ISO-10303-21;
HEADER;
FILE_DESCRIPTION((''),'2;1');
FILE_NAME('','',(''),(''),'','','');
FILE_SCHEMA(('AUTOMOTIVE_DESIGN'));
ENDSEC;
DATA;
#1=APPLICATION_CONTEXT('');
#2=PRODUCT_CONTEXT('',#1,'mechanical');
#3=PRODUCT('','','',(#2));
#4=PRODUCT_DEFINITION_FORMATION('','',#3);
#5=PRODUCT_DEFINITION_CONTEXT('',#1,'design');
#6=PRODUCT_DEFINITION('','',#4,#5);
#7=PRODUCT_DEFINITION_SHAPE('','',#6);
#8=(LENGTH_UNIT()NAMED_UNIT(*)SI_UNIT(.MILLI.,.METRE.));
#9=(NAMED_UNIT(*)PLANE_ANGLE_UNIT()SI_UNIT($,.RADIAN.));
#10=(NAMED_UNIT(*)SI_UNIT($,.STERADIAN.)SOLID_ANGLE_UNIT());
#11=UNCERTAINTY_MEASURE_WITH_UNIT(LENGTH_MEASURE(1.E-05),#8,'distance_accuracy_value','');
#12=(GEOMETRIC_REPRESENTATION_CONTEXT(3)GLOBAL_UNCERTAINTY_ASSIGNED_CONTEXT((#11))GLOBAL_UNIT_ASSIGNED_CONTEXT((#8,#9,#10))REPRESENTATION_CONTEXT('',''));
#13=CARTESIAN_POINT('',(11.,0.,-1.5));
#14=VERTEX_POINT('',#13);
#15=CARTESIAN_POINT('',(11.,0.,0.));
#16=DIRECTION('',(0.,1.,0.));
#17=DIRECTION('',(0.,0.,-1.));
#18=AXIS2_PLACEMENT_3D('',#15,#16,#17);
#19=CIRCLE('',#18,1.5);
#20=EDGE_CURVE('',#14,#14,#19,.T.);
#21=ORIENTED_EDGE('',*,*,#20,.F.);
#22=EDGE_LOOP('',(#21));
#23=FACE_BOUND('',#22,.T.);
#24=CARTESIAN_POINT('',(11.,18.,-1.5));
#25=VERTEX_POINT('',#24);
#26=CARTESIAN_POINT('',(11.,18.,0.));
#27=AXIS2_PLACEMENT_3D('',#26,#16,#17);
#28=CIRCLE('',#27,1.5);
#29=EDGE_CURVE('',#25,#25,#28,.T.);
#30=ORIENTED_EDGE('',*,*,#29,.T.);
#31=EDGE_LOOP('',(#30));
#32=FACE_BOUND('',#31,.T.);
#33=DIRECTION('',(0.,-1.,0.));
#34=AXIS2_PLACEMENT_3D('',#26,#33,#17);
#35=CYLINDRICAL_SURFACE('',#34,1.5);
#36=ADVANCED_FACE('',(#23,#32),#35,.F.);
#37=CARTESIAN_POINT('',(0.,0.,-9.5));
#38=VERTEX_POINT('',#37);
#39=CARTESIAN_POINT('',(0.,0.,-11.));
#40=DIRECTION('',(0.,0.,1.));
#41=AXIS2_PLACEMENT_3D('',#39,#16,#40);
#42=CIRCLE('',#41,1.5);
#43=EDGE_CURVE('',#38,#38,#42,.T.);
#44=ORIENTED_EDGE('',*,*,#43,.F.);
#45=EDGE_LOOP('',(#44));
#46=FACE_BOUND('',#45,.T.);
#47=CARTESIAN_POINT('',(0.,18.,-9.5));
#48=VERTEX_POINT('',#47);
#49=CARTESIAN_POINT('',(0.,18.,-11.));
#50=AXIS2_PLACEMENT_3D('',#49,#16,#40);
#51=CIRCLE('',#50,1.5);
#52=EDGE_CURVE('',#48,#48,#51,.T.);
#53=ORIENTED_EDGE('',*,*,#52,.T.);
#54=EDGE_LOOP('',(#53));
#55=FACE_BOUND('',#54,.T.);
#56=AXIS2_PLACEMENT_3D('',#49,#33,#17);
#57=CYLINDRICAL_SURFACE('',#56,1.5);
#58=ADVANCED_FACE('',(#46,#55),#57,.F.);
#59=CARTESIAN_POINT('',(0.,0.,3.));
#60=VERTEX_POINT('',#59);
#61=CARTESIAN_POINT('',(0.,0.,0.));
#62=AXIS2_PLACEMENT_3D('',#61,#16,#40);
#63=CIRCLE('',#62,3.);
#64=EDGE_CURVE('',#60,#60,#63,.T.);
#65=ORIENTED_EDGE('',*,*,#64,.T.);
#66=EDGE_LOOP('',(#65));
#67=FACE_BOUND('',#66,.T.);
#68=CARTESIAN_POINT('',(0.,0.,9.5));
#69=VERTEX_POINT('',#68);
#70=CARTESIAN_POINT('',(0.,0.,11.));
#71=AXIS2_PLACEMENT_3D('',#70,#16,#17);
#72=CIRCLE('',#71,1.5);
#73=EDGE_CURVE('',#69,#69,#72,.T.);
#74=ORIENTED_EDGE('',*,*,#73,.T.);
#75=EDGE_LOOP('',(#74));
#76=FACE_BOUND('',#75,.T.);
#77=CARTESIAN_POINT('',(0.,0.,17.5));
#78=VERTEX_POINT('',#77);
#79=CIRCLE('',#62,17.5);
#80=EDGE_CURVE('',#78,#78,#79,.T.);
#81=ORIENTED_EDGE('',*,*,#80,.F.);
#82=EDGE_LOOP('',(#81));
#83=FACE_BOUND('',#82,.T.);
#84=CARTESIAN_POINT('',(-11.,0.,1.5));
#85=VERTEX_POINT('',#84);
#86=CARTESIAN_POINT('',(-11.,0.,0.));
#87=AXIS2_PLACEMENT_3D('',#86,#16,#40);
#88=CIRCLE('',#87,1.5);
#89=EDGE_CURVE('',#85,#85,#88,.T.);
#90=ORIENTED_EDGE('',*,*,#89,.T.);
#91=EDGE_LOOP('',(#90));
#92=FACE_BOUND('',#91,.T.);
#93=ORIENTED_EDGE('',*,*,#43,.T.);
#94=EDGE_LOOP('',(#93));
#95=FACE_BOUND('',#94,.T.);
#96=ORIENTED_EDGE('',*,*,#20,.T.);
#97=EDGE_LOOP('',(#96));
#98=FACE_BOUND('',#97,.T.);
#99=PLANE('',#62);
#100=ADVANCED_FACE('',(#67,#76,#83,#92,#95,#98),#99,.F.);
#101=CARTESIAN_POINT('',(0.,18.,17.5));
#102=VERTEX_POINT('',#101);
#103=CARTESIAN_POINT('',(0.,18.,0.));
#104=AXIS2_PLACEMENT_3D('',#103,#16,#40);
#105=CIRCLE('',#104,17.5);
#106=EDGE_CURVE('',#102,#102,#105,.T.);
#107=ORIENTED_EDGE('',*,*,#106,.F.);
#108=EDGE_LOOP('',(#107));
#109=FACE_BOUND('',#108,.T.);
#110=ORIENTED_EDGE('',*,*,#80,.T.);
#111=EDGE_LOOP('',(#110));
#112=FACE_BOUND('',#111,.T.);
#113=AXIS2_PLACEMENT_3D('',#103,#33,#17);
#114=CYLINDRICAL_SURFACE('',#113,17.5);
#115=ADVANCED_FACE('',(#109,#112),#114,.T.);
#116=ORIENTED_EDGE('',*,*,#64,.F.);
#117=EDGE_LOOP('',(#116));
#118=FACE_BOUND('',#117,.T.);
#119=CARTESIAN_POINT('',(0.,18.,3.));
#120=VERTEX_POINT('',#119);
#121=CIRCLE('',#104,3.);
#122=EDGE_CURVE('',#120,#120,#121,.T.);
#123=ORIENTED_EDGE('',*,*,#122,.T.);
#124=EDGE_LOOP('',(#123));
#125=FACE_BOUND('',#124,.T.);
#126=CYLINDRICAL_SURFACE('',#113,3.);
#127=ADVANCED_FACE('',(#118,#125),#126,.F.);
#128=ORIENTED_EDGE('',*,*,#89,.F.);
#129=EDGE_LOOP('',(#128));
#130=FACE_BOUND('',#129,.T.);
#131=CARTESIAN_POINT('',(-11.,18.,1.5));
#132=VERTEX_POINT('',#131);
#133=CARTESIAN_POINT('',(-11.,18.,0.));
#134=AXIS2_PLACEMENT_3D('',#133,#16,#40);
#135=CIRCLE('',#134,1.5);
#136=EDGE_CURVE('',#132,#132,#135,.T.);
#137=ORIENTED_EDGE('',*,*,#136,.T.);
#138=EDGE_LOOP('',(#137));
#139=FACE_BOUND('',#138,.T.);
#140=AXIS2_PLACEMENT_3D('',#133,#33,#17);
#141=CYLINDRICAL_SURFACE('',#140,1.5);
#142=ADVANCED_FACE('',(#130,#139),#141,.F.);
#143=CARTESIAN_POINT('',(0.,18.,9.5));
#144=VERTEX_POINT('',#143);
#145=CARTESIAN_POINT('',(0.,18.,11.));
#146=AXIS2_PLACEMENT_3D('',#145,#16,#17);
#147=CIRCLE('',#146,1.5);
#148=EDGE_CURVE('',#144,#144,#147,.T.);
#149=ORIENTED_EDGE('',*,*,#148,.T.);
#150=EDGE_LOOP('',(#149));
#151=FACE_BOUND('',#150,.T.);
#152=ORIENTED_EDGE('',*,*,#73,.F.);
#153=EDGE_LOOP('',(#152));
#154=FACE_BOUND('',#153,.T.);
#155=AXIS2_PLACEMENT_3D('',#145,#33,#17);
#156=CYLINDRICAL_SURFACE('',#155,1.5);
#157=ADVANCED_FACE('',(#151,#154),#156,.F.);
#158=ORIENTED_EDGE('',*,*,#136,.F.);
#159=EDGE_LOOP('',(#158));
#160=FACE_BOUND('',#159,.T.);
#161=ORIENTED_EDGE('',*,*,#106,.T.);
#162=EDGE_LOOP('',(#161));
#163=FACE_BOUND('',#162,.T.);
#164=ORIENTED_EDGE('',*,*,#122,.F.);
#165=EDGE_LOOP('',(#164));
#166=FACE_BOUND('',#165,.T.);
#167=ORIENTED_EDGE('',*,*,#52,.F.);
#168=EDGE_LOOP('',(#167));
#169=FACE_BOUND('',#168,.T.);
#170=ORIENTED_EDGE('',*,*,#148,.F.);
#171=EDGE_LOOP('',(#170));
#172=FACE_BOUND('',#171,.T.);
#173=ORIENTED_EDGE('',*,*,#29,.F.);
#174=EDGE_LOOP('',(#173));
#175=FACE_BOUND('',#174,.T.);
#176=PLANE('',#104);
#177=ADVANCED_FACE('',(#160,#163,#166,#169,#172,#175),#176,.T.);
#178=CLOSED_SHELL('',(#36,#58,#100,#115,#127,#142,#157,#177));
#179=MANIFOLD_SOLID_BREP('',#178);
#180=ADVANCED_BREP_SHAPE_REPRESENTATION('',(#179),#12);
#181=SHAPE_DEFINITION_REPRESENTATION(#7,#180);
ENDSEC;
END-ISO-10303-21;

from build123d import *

# Parameters (mm, degrees)
SKETCH1_R           = 17.5
SKETCH1_R_2         = 3
SKETCH1_R_3         = 1.5
BOSS_EXTRUDE1_DEPTH = 18


with BuildPart() as part:
    # Sketch1 → Boss-Extrude1 (new body)
    with BuildSketch(Plane(origin=(0, 0, 0), x_dir=(1, 0, 0), z_dir=(0, 1, 0))):
        Circle(SKETCH1_R)
        Circle(SKETCH1_R_2, mode=Mode.SUBTRACT)
        with Locations((0, 11)):
            Circle(SKETCH1_R_3, mode=Mode.SUBTRACT)
        with Locations((0, -11)):
            Circle(SKETCH1_R_3, mode=Mode.SUBTRACT)
        with Locations((11, 0)):
            Circle(SKETCH1_R_3, mode=Mode.SUBTRACT)
        with Locations((-11, 0)):
            Circle(SKETCH1_R_3, mode=Mode.SUBTRACT)
    extrude(amount=BOSS_EXTRUDE1_DEPTH)


solid = part.part
